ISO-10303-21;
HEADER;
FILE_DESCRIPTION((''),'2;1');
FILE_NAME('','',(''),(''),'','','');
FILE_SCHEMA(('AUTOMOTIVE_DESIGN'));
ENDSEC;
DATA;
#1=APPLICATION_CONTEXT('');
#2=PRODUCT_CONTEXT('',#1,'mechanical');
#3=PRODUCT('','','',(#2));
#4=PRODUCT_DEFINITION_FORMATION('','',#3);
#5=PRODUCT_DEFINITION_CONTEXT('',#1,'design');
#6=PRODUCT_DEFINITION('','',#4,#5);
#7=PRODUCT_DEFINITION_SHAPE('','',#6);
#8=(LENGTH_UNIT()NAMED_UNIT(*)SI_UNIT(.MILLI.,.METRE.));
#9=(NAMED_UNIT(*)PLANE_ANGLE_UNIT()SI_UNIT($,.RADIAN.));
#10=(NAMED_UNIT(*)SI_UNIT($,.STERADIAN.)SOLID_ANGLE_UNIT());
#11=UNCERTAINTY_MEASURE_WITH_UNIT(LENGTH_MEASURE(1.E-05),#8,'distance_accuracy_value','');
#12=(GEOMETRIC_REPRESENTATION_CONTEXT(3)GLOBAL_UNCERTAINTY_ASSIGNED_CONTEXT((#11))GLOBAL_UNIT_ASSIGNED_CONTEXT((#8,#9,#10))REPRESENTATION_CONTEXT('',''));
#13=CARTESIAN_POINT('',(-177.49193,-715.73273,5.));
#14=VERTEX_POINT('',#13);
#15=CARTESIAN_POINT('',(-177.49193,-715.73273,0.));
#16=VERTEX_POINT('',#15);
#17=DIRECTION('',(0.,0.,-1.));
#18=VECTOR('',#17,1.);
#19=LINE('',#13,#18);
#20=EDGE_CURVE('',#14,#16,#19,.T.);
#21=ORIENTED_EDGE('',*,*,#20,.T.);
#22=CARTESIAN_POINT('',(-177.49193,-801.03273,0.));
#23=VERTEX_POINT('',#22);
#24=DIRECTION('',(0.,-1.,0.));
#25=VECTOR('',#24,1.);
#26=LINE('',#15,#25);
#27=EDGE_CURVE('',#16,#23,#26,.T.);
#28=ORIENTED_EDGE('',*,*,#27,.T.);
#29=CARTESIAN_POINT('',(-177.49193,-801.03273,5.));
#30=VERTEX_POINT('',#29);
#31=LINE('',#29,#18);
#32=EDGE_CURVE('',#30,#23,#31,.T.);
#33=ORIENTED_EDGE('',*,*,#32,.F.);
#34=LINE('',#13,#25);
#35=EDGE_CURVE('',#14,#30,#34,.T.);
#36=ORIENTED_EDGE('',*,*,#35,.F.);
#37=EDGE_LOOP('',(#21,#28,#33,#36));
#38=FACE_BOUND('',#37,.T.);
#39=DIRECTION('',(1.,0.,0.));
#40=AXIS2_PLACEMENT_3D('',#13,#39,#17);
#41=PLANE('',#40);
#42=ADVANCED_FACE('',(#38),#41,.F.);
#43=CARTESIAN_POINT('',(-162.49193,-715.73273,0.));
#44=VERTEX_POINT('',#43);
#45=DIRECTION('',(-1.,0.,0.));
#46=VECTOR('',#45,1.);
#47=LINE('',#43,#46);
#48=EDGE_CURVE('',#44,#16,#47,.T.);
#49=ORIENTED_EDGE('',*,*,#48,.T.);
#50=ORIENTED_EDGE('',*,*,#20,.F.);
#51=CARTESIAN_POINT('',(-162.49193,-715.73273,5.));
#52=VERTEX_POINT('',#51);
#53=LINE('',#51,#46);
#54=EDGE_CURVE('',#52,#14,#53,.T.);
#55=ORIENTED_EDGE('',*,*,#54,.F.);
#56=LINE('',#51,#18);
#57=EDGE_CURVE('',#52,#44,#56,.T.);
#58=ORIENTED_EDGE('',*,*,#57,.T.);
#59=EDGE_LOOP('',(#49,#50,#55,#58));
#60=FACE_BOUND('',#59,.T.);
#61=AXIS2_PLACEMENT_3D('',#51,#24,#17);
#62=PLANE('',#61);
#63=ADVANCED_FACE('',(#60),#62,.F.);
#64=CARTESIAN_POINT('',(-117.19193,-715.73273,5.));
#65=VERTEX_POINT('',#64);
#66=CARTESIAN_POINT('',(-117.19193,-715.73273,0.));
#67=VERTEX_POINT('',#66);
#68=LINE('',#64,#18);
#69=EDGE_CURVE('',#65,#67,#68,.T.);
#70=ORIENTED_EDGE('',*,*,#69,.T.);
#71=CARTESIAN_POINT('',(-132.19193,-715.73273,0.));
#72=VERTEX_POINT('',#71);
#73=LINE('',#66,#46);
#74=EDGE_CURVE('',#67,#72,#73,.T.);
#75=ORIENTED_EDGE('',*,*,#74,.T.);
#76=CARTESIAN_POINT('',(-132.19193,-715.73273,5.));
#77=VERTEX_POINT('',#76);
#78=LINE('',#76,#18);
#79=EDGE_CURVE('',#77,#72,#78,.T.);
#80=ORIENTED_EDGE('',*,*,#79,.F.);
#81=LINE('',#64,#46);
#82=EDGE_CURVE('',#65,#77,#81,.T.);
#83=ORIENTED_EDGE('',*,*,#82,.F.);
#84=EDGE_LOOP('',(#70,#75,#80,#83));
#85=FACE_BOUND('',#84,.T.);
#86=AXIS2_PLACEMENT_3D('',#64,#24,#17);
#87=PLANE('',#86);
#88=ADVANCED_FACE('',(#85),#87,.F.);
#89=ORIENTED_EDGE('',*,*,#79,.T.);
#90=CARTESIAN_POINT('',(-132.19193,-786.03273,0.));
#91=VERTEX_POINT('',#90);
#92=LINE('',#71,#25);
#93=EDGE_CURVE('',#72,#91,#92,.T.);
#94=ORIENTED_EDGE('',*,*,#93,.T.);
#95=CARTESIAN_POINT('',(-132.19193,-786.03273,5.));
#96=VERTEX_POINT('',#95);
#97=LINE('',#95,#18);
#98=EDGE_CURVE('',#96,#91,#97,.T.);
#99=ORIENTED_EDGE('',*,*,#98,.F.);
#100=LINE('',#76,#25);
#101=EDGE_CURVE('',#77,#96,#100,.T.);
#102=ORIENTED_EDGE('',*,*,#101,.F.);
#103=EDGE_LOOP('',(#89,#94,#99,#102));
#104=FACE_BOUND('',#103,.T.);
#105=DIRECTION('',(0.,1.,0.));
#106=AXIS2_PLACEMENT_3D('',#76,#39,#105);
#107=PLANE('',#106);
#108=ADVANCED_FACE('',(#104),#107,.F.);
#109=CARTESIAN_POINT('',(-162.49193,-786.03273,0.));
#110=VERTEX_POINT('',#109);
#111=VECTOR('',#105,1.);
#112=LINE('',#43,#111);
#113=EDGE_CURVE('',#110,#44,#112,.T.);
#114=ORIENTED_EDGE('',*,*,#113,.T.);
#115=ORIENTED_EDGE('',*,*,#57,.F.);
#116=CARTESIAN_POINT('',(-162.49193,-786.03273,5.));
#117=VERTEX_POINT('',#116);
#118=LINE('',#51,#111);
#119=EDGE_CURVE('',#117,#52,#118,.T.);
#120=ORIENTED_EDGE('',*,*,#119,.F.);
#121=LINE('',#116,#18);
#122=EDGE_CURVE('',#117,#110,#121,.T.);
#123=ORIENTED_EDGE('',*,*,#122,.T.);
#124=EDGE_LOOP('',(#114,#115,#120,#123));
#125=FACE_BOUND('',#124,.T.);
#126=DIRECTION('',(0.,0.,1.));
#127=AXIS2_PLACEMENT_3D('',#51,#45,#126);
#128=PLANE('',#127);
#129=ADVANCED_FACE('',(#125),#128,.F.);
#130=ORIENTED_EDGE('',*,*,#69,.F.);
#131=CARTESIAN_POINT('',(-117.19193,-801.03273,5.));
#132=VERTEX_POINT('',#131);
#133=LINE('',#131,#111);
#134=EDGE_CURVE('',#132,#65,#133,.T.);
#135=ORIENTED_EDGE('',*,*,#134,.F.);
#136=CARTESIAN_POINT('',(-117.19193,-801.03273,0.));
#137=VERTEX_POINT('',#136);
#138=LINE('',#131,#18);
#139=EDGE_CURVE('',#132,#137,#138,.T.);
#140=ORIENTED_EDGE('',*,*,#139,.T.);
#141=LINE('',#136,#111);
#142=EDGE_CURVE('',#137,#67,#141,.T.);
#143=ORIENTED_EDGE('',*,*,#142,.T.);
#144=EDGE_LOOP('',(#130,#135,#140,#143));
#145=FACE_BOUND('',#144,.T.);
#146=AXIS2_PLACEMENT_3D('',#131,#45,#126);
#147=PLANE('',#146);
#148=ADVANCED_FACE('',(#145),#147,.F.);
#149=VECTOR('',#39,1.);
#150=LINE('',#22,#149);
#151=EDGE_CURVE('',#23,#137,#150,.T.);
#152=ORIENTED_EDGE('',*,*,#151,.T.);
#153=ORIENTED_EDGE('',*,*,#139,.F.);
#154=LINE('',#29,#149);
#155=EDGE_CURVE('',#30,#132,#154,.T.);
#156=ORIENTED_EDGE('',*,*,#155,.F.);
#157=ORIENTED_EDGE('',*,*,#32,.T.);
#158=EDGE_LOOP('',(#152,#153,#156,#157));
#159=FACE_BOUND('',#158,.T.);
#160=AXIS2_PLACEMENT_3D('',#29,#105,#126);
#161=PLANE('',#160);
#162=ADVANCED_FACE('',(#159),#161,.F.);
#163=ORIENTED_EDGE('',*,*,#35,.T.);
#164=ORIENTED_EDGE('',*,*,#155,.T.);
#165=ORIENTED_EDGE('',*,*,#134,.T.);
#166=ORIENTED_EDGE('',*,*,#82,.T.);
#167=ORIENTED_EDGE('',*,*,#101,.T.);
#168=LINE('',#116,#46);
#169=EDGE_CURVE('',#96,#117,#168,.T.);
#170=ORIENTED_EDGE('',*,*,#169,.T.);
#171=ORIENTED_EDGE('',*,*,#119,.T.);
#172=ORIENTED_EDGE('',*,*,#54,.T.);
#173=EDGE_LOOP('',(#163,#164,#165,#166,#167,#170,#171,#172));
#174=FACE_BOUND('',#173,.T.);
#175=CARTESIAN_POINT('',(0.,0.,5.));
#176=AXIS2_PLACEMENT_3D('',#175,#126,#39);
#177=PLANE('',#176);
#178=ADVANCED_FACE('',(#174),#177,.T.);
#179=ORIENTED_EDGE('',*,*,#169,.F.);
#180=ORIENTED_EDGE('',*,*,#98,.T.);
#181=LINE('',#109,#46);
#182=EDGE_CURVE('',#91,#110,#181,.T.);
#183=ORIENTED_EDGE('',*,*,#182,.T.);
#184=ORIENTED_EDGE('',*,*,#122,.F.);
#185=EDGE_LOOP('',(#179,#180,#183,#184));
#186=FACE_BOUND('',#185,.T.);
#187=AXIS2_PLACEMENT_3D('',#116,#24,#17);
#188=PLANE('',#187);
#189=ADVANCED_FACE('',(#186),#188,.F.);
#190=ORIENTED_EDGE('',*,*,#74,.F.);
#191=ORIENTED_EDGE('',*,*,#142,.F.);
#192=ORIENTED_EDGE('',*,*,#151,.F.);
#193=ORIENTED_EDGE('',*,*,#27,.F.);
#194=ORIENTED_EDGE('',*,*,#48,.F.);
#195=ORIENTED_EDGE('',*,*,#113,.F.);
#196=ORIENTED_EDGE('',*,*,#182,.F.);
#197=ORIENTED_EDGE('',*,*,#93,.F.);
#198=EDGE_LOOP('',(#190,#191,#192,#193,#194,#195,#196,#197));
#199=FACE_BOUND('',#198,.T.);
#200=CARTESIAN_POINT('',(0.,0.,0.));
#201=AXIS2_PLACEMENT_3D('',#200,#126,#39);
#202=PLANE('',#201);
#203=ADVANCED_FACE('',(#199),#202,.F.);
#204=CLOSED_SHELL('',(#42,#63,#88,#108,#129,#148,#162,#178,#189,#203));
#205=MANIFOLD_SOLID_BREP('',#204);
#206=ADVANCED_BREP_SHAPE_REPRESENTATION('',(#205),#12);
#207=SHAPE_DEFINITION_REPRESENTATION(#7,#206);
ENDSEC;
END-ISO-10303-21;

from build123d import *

# Parameters (mm, degrees)
SALIENTE_EXTRUIR1_DEPTH = 5


with BuildPart() as part:
    # Croquis1 → Saliente-Extruir1 (new body)
    with BuildSketch(Plane.XY):
        Polygon((-162.491930249, -715.732729732), (-177.491930249, -715.732729732), (-177.491930249, -801.032729732), (-117.191930249, -801.032729732), (-117.191930249, -715.732729732), (-132.191930249, -715.732729732), (-132.191930249, -786.032729732), (-162.491930249, -786.032729732), align=None)
    extrude(amount=SALIENTE_EXTRUIR1_DEPTH)


solid = part.part
